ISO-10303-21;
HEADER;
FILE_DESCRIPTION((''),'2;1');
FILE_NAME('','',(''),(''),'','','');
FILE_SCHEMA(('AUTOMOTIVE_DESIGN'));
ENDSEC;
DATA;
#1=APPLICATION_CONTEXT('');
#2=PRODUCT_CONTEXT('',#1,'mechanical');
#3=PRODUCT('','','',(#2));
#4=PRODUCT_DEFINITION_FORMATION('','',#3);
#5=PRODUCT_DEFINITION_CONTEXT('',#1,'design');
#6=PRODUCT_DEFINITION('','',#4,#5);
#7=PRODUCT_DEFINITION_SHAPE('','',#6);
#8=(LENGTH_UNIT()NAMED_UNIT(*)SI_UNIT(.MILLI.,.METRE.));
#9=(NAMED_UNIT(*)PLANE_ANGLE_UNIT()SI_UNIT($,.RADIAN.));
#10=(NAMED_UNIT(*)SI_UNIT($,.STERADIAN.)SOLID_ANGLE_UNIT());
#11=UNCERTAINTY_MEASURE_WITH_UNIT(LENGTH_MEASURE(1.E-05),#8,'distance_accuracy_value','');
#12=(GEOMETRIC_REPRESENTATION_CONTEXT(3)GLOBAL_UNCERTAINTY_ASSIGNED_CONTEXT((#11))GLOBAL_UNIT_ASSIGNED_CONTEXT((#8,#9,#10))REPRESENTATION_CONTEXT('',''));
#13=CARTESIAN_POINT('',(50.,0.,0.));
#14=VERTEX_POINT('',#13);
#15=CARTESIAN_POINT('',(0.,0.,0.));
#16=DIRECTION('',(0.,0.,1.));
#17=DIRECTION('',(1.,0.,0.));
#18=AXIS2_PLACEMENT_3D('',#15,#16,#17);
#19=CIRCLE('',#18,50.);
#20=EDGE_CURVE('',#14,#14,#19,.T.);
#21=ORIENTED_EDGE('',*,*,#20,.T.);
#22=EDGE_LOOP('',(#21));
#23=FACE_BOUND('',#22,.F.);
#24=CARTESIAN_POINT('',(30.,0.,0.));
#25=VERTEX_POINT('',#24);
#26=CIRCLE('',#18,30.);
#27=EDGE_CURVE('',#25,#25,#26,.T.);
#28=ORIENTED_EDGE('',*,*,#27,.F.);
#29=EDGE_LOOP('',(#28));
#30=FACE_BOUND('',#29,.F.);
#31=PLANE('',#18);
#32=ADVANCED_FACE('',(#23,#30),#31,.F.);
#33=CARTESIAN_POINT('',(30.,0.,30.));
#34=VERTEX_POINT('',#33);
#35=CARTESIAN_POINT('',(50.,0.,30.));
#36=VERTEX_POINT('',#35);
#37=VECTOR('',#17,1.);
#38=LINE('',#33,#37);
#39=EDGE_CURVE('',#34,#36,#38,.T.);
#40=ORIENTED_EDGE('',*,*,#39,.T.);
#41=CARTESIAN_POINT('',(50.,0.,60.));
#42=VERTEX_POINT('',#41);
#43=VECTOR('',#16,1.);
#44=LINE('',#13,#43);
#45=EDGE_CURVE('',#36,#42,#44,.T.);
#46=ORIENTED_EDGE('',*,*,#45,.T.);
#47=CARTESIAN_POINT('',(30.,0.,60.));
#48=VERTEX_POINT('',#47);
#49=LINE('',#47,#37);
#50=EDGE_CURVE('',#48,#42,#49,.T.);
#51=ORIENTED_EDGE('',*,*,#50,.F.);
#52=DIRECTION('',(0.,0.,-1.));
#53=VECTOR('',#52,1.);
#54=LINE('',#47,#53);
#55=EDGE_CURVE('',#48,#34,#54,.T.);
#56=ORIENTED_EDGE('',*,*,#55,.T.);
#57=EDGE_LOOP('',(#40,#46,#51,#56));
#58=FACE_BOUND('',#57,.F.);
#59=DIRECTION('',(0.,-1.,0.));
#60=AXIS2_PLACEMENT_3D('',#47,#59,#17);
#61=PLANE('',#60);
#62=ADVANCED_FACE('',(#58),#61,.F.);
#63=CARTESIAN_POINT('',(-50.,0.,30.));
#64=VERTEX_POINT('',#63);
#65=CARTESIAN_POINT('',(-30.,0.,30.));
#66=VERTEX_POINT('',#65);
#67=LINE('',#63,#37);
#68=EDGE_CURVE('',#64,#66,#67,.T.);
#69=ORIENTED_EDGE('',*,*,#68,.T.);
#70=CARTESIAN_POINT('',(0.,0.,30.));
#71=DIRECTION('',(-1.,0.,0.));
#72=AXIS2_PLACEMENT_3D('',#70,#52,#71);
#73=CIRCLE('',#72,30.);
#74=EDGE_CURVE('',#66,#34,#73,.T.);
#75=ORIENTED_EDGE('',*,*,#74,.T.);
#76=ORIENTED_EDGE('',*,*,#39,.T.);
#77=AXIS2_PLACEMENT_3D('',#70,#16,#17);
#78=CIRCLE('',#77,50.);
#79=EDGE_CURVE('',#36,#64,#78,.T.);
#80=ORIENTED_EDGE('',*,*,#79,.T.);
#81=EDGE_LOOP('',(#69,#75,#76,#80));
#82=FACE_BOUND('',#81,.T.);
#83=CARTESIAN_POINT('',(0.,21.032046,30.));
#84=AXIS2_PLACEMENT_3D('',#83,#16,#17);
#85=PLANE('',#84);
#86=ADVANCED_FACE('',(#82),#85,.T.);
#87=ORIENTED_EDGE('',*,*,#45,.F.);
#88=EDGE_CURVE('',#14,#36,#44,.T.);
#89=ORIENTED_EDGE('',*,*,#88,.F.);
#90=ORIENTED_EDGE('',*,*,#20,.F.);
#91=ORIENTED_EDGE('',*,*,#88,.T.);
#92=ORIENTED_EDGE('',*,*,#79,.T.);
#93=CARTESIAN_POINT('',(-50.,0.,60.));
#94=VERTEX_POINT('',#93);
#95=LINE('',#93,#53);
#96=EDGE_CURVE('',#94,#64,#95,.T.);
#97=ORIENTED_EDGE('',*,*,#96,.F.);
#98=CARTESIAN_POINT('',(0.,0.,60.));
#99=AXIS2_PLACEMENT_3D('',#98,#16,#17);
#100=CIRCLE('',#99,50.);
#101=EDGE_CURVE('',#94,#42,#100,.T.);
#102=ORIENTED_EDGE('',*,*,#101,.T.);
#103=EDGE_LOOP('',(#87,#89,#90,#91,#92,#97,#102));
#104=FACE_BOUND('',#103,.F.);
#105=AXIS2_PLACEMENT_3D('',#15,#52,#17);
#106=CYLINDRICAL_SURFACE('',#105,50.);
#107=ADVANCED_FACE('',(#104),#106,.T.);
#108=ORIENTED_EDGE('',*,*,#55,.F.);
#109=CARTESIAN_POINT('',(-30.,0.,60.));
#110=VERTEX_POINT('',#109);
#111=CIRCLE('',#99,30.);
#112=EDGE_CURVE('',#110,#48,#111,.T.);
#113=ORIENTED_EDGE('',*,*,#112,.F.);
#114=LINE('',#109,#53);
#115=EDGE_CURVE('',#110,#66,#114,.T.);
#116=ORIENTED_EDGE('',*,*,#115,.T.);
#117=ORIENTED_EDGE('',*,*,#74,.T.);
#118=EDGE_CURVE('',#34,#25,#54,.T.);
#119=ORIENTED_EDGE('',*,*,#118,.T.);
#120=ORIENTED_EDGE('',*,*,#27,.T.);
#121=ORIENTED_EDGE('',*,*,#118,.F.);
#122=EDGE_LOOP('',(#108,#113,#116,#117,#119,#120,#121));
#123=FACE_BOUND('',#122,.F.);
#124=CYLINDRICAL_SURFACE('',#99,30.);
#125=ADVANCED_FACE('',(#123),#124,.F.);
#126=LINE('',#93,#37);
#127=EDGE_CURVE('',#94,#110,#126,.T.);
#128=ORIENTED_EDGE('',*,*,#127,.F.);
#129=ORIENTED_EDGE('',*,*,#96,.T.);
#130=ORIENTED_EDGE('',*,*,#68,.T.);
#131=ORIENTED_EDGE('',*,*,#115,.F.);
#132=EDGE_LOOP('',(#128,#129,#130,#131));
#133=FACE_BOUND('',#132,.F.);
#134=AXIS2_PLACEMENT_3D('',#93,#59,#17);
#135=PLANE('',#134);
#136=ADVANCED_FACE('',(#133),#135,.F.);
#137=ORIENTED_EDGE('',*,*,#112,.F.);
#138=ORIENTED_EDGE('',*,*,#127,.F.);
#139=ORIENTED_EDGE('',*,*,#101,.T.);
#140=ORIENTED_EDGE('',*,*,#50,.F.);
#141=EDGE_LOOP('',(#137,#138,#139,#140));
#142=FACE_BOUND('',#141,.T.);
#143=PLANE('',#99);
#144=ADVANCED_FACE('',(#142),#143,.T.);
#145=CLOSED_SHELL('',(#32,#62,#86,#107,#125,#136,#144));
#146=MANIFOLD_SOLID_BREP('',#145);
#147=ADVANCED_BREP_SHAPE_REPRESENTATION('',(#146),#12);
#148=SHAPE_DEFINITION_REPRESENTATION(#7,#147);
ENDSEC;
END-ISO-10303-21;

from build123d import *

# Parameters (mm, degrees)
SKETCH1_R           = 50
BOSS_EXTRUDE1_DEPTH = 60
SKETCH2_R           = 30
CUT_EXTRUDE1_DEPTH  = 60
CUT_EXTRUDE2_DEPTH  = 30


with BuildPart() as part:
    # Sketch1 → Boss-Extrude1 (new body)
    with BuildSketch(Plane.XY):
        Circle(SKETCH1_R)
    extrude(amount=BOSS_EXTRUDE1_DEPTH)

    # Sketch2 → Cut-Extrude1 (cut)
    with BuildSketch(Plane.XY.offset(60)):
        Circle(SKETCH2_R)
    extrude(amount=-CUT_EXTRUDE1_DEPTH, mode=Mode.SUBTRACT)

    # Sketch3 → Cut-Extrude2 (cut)
    with BuildSketch(Plane.XY.offset(60)):
        with BuildLine():
            Line((-50, 0), (-30, 0))
            ThreePointArc((-30, 0), (0, 30), (30, 0))
            Line((30, 0), (50, 0))
            ThreePointArc((50, 0), (0, 50), (-50, 0))
        make_face()
    extrude(amount=-CUT_EXTRUDE2_DEPTH, mode=Mode.SUBTRACT)


solid = part.part
